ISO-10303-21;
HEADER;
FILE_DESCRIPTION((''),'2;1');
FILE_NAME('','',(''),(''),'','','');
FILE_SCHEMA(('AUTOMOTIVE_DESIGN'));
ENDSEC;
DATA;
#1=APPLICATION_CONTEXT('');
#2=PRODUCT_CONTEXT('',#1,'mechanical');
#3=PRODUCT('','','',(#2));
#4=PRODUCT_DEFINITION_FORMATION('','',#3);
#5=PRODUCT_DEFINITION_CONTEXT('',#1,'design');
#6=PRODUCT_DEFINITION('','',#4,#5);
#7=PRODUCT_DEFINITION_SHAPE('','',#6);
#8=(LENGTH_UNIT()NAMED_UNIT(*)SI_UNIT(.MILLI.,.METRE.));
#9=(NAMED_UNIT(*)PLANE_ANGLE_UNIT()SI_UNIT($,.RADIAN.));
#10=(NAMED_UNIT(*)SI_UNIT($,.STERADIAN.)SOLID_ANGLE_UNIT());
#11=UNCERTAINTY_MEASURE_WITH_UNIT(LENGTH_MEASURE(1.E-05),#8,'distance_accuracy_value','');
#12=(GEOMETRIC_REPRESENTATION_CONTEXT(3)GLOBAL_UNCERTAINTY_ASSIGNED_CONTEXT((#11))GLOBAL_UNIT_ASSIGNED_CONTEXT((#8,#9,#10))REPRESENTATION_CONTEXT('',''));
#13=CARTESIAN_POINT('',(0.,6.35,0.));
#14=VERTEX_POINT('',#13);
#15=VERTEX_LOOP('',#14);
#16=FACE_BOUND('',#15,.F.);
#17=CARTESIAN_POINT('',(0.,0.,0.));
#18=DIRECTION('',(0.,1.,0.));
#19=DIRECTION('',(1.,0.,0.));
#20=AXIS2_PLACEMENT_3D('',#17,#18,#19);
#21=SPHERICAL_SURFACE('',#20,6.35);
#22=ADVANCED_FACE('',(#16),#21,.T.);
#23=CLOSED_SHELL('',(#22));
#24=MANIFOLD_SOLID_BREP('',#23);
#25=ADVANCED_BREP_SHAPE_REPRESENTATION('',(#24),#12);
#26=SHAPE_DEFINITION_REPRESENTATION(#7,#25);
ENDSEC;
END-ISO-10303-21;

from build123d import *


with BuildPart() as part:
    # Sketch1 → Complete_Ball (revolve)
    with BuildSketch(Plane.XY):
        with BuildLine():
            Line((0, 6.35), (0, -6.35))
            ThreePointArc((0, -6.35), (6.35, 0), (0, 6.35))
        make_face()
    revolve(axis=Axis((0, 6.985, 0), (0, -1, 0)))


solid = part.part
